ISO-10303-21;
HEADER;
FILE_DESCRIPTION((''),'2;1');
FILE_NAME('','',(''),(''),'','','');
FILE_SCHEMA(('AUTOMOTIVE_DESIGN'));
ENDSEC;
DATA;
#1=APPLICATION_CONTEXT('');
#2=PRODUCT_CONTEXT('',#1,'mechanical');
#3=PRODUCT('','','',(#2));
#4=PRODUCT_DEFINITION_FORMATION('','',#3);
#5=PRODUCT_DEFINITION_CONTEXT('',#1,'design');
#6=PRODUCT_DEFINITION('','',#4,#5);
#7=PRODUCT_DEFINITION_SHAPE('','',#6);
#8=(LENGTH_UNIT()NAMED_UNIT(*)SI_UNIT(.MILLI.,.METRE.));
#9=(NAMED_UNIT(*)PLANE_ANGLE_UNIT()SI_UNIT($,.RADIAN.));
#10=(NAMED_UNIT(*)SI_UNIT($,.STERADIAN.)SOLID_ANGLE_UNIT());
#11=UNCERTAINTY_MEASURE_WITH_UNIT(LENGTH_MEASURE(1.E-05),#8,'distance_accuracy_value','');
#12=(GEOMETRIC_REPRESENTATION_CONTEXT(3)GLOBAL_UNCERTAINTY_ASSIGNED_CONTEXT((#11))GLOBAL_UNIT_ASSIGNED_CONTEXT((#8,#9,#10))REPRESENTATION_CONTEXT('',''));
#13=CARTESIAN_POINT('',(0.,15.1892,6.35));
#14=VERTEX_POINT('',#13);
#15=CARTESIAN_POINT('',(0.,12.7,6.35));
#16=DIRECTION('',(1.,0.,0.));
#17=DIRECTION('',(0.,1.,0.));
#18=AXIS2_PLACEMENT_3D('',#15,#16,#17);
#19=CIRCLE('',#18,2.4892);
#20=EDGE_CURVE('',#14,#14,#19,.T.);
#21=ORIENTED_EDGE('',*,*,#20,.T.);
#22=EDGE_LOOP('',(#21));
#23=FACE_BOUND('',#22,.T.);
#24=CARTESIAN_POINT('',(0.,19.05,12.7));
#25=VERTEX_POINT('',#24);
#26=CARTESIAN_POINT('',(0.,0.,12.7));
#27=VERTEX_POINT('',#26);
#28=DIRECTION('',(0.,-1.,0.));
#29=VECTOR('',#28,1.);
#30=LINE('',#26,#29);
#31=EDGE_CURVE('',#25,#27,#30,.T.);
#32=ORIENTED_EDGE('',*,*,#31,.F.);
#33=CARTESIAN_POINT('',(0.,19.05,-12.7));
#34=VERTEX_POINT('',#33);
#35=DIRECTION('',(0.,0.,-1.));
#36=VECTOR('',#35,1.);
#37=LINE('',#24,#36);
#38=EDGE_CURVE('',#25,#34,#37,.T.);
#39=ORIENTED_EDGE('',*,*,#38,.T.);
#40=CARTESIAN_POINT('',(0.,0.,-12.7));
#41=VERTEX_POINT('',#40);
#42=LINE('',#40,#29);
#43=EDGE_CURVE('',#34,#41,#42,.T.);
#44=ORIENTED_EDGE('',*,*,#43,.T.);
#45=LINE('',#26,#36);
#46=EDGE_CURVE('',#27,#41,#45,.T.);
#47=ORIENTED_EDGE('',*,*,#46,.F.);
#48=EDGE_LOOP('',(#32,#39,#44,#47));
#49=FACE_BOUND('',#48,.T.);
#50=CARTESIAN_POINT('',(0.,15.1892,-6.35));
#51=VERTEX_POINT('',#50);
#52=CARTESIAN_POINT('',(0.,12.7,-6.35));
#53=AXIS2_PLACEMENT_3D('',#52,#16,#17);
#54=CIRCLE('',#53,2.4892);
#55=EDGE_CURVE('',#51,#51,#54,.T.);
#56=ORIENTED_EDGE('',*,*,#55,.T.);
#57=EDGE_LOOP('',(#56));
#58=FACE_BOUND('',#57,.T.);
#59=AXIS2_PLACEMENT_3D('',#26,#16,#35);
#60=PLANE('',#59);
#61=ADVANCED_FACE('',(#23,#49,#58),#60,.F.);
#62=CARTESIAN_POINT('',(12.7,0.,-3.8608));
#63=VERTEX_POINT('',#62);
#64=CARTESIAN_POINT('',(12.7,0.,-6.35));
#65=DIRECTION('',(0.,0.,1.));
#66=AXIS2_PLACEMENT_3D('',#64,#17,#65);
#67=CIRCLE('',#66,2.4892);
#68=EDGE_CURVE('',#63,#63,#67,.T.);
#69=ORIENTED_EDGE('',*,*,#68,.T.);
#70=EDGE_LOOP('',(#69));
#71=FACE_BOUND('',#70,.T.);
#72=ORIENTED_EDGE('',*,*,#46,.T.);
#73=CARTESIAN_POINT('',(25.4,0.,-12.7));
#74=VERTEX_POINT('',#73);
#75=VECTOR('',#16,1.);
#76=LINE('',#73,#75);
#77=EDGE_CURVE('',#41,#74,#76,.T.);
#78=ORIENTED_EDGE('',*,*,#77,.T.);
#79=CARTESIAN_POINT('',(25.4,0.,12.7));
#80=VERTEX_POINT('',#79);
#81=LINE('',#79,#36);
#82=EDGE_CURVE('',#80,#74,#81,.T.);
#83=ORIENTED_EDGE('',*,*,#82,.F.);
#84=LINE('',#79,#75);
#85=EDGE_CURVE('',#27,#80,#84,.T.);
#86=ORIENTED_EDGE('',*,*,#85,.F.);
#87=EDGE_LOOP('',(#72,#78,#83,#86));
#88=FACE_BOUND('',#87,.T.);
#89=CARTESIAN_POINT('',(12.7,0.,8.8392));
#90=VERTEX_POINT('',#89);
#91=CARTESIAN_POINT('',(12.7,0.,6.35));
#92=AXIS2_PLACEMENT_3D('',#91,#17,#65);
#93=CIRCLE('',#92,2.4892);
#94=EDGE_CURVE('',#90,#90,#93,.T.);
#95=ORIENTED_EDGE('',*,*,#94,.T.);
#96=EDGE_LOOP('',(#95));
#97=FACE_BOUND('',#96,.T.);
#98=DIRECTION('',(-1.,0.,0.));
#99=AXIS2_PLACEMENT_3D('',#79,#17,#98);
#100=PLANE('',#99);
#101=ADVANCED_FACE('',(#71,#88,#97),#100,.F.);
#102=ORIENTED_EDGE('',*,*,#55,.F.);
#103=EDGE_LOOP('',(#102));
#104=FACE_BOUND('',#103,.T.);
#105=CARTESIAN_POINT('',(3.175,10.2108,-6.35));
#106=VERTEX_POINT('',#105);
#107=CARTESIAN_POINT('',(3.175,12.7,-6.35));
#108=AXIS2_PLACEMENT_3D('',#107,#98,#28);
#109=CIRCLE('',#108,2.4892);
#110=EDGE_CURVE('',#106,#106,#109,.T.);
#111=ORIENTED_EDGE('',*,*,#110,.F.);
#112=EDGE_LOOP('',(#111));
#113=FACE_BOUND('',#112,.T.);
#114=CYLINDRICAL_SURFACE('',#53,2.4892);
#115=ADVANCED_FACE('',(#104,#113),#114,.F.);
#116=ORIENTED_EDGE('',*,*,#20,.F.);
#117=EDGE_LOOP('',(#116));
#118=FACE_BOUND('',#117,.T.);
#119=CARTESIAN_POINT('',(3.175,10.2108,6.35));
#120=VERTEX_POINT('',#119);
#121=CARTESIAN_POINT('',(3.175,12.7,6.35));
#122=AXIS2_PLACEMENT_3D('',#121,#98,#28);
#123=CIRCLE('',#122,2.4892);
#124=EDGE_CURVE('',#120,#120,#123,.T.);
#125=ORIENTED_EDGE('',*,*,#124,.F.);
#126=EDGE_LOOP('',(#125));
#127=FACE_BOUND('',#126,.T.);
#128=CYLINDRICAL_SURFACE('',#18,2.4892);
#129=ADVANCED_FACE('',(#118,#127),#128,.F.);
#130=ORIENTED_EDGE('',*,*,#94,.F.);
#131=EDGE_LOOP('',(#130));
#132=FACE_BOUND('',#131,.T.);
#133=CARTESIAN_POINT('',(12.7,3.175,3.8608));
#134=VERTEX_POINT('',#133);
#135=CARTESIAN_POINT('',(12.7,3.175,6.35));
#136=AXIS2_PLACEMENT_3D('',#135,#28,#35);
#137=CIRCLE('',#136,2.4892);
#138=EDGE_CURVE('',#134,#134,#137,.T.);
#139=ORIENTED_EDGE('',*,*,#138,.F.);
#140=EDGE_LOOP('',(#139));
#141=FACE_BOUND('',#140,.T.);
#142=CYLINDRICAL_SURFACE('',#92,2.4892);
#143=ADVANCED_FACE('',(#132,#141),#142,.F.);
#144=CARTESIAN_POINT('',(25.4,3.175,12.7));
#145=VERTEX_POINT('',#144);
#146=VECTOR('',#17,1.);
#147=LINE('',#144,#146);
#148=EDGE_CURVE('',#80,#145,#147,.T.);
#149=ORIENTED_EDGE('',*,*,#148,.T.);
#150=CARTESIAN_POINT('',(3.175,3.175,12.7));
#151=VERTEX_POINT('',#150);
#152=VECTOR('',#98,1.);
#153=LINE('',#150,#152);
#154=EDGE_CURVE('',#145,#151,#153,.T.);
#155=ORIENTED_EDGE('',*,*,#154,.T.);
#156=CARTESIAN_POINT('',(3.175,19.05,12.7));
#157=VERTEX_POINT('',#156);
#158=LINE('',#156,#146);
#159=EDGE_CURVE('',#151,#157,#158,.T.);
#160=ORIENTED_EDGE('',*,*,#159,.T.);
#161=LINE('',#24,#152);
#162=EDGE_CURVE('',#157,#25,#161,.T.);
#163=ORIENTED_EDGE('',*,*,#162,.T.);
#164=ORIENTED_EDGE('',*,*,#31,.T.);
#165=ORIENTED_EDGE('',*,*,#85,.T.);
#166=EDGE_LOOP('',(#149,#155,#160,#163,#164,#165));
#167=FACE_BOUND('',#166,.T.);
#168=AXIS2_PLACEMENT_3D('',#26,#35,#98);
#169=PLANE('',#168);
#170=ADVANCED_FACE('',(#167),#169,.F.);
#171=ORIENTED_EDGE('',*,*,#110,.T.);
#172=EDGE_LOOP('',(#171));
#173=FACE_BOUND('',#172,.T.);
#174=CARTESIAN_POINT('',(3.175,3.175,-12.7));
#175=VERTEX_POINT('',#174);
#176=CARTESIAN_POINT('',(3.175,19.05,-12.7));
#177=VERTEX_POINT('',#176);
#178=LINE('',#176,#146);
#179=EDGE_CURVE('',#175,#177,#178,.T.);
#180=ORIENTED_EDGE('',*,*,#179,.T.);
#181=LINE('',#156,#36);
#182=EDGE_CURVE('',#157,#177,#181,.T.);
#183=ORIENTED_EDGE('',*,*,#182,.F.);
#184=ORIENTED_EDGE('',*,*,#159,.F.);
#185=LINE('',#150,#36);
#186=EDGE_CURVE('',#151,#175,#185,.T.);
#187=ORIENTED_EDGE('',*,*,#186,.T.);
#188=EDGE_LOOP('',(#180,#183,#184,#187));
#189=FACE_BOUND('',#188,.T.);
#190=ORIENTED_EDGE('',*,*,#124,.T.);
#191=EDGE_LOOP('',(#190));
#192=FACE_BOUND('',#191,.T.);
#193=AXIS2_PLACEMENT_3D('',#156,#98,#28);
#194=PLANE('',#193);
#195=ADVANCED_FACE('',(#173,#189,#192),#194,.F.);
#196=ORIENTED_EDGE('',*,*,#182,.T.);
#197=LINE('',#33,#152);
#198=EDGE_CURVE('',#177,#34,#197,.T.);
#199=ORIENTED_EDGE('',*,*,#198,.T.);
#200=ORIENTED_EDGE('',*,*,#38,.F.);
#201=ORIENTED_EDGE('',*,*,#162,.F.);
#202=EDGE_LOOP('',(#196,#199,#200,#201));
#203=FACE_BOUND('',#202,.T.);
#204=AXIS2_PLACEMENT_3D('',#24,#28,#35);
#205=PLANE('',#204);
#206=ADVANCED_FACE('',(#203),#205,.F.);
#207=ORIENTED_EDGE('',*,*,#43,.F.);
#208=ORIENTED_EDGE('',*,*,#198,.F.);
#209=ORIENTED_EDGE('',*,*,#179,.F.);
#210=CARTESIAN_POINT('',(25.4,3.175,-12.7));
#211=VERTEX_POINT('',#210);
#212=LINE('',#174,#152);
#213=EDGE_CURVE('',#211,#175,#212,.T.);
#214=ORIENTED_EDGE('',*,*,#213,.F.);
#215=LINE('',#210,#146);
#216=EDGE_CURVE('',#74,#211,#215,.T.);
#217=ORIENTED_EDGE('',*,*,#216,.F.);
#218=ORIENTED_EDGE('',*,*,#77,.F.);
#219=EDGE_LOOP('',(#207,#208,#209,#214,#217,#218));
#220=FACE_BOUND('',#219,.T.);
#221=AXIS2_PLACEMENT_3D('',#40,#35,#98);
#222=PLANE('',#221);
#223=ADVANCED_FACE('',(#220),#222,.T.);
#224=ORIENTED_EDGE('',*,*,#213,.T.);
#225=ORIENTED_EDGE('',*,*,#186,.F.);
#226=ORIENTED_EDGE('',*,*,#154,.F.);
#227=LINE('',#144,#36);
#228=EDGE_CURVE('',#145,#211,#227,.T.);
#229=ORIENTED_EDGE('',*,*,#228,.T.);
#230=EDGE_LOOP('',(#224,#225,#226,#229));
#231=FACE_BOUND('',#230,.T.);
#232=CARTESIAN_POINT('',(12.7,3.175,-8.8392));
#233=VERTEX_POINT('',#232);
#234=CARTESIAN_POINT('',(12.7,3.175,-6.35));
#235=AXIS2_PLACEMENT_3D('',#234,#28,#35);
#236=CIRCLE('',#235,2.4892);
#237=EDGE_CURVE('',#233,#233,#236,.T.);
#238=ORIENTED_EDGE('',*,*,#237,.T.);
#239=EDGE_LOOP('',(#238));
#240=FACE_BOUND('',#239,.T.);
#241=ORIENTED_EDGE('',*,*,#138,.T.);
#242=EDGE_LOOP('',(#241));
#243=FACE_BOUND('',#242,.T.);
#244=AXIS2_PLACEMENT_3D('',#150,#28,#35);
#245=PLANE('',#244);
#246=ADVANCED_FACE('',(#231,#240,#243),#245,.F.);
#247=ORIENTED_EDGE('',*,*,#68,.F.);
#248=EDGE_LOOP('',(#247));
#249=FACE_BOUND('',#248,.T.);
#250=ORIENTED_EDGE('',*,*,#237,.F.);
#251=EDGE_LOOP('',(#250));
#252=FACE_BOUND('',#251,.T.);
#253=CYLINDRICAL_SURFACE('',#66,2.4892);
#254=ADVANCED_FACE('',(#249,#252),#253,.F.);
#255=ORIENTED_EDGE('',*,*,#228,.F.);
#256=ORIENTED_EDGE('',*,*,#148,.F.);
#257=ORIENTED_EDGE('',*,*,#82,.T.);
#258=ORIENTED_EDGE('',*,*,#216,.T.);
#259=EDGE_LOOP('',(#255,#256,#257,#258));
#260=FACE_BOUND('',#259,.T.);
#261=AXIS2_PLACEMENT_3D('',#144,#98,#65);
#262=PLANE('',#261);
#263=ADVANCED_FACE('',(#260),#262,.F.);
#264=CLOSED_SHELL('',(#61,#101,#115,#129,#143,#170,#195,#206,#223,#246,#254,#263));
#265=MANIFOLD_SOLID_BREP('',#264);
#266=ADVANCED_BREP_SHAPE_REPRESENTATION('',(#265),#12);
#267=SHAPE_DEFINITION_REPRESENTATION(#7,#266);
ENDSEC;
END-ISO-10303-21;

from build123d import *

# Parameters (mm, degrees)
BOSS_EXTRUDE1_DEPTH     = 12.7
CUT_EXTRUDE1_DEPTH      = 33.534068682
CUT_EXTRUDE1_DEPTH_BACK = 33.534068682
SKETCH3_R               = 2.4892
CUT_EXTRUDE2_DEPTH      = 32.908355097
CUT_EXTRUDE2_DEPTH_BACK = 32.908355097
SKETCH4_R               = 2.4892


with BuildPart() as part:
    # Sketch1 → Boss-Extrude1 (new, symmetric)
    with BuildSketch(Plane.XY):
        Polygon((0, 0), (0, 19.05), (3.175, 19.05), (3.175, 3.175), (25.4, 3.175), (25.4, 0), align=None)
    extrude(amount=BOSS_EXTRUDE1_DEPTH, both=True)

    # Sketch3 → Cut-Extrude1 (cut, two sides: drawn at the far end of the back side and taken through both)
    with BuildSketch(Plane(origin=(0, 3.175, 0), x_dir=(1, 0, 0), z_dir=(0, 1, 0)).offset(-CUT_EXTRUDE1_DEPTH_BACK)):
        with Locations(Location((12.7, -6.35, 0), (0, 0, 270))):
            Circle(SKETCH3_R)
        with Locations(Location((12.7, 6.35, 0), (0, 0, 270))):
            Circle(SKETCH3_R)
    extrude(amount=CUT_EXTRUDE1_DEPTH + CUT_EXTRUDE1_DEPTH_BACK, mode=Mode.SUBTRACT)

    # Sketch4 → Cut-Extrude2 (cut, two sides: drawn at the far end of the back side and taken through both)
    with BuildSketch(Plane(origin=(3.175, 0, 0), x_dir=(0, 0, -1), z_dir=(1, 0, 0)).offset(-CUT_EXTRUDE2_DEPTH_BACK)):
        with Locations(Location((-6.35, 12.7, 0), (0, 0, 90))):
            Circle(SKETCH4_R)
        with Locations(Location((6.35, 12.7, 0), (0, 0, 90))):
            Circle(SKETCH4_R)
    extrude(amount=CUT_EXTRUDE2_DEPTH + CUT_EXTRUDE2_DEPTH_BACK, mode=Mode.SUBTRACT)


solid = part.part
